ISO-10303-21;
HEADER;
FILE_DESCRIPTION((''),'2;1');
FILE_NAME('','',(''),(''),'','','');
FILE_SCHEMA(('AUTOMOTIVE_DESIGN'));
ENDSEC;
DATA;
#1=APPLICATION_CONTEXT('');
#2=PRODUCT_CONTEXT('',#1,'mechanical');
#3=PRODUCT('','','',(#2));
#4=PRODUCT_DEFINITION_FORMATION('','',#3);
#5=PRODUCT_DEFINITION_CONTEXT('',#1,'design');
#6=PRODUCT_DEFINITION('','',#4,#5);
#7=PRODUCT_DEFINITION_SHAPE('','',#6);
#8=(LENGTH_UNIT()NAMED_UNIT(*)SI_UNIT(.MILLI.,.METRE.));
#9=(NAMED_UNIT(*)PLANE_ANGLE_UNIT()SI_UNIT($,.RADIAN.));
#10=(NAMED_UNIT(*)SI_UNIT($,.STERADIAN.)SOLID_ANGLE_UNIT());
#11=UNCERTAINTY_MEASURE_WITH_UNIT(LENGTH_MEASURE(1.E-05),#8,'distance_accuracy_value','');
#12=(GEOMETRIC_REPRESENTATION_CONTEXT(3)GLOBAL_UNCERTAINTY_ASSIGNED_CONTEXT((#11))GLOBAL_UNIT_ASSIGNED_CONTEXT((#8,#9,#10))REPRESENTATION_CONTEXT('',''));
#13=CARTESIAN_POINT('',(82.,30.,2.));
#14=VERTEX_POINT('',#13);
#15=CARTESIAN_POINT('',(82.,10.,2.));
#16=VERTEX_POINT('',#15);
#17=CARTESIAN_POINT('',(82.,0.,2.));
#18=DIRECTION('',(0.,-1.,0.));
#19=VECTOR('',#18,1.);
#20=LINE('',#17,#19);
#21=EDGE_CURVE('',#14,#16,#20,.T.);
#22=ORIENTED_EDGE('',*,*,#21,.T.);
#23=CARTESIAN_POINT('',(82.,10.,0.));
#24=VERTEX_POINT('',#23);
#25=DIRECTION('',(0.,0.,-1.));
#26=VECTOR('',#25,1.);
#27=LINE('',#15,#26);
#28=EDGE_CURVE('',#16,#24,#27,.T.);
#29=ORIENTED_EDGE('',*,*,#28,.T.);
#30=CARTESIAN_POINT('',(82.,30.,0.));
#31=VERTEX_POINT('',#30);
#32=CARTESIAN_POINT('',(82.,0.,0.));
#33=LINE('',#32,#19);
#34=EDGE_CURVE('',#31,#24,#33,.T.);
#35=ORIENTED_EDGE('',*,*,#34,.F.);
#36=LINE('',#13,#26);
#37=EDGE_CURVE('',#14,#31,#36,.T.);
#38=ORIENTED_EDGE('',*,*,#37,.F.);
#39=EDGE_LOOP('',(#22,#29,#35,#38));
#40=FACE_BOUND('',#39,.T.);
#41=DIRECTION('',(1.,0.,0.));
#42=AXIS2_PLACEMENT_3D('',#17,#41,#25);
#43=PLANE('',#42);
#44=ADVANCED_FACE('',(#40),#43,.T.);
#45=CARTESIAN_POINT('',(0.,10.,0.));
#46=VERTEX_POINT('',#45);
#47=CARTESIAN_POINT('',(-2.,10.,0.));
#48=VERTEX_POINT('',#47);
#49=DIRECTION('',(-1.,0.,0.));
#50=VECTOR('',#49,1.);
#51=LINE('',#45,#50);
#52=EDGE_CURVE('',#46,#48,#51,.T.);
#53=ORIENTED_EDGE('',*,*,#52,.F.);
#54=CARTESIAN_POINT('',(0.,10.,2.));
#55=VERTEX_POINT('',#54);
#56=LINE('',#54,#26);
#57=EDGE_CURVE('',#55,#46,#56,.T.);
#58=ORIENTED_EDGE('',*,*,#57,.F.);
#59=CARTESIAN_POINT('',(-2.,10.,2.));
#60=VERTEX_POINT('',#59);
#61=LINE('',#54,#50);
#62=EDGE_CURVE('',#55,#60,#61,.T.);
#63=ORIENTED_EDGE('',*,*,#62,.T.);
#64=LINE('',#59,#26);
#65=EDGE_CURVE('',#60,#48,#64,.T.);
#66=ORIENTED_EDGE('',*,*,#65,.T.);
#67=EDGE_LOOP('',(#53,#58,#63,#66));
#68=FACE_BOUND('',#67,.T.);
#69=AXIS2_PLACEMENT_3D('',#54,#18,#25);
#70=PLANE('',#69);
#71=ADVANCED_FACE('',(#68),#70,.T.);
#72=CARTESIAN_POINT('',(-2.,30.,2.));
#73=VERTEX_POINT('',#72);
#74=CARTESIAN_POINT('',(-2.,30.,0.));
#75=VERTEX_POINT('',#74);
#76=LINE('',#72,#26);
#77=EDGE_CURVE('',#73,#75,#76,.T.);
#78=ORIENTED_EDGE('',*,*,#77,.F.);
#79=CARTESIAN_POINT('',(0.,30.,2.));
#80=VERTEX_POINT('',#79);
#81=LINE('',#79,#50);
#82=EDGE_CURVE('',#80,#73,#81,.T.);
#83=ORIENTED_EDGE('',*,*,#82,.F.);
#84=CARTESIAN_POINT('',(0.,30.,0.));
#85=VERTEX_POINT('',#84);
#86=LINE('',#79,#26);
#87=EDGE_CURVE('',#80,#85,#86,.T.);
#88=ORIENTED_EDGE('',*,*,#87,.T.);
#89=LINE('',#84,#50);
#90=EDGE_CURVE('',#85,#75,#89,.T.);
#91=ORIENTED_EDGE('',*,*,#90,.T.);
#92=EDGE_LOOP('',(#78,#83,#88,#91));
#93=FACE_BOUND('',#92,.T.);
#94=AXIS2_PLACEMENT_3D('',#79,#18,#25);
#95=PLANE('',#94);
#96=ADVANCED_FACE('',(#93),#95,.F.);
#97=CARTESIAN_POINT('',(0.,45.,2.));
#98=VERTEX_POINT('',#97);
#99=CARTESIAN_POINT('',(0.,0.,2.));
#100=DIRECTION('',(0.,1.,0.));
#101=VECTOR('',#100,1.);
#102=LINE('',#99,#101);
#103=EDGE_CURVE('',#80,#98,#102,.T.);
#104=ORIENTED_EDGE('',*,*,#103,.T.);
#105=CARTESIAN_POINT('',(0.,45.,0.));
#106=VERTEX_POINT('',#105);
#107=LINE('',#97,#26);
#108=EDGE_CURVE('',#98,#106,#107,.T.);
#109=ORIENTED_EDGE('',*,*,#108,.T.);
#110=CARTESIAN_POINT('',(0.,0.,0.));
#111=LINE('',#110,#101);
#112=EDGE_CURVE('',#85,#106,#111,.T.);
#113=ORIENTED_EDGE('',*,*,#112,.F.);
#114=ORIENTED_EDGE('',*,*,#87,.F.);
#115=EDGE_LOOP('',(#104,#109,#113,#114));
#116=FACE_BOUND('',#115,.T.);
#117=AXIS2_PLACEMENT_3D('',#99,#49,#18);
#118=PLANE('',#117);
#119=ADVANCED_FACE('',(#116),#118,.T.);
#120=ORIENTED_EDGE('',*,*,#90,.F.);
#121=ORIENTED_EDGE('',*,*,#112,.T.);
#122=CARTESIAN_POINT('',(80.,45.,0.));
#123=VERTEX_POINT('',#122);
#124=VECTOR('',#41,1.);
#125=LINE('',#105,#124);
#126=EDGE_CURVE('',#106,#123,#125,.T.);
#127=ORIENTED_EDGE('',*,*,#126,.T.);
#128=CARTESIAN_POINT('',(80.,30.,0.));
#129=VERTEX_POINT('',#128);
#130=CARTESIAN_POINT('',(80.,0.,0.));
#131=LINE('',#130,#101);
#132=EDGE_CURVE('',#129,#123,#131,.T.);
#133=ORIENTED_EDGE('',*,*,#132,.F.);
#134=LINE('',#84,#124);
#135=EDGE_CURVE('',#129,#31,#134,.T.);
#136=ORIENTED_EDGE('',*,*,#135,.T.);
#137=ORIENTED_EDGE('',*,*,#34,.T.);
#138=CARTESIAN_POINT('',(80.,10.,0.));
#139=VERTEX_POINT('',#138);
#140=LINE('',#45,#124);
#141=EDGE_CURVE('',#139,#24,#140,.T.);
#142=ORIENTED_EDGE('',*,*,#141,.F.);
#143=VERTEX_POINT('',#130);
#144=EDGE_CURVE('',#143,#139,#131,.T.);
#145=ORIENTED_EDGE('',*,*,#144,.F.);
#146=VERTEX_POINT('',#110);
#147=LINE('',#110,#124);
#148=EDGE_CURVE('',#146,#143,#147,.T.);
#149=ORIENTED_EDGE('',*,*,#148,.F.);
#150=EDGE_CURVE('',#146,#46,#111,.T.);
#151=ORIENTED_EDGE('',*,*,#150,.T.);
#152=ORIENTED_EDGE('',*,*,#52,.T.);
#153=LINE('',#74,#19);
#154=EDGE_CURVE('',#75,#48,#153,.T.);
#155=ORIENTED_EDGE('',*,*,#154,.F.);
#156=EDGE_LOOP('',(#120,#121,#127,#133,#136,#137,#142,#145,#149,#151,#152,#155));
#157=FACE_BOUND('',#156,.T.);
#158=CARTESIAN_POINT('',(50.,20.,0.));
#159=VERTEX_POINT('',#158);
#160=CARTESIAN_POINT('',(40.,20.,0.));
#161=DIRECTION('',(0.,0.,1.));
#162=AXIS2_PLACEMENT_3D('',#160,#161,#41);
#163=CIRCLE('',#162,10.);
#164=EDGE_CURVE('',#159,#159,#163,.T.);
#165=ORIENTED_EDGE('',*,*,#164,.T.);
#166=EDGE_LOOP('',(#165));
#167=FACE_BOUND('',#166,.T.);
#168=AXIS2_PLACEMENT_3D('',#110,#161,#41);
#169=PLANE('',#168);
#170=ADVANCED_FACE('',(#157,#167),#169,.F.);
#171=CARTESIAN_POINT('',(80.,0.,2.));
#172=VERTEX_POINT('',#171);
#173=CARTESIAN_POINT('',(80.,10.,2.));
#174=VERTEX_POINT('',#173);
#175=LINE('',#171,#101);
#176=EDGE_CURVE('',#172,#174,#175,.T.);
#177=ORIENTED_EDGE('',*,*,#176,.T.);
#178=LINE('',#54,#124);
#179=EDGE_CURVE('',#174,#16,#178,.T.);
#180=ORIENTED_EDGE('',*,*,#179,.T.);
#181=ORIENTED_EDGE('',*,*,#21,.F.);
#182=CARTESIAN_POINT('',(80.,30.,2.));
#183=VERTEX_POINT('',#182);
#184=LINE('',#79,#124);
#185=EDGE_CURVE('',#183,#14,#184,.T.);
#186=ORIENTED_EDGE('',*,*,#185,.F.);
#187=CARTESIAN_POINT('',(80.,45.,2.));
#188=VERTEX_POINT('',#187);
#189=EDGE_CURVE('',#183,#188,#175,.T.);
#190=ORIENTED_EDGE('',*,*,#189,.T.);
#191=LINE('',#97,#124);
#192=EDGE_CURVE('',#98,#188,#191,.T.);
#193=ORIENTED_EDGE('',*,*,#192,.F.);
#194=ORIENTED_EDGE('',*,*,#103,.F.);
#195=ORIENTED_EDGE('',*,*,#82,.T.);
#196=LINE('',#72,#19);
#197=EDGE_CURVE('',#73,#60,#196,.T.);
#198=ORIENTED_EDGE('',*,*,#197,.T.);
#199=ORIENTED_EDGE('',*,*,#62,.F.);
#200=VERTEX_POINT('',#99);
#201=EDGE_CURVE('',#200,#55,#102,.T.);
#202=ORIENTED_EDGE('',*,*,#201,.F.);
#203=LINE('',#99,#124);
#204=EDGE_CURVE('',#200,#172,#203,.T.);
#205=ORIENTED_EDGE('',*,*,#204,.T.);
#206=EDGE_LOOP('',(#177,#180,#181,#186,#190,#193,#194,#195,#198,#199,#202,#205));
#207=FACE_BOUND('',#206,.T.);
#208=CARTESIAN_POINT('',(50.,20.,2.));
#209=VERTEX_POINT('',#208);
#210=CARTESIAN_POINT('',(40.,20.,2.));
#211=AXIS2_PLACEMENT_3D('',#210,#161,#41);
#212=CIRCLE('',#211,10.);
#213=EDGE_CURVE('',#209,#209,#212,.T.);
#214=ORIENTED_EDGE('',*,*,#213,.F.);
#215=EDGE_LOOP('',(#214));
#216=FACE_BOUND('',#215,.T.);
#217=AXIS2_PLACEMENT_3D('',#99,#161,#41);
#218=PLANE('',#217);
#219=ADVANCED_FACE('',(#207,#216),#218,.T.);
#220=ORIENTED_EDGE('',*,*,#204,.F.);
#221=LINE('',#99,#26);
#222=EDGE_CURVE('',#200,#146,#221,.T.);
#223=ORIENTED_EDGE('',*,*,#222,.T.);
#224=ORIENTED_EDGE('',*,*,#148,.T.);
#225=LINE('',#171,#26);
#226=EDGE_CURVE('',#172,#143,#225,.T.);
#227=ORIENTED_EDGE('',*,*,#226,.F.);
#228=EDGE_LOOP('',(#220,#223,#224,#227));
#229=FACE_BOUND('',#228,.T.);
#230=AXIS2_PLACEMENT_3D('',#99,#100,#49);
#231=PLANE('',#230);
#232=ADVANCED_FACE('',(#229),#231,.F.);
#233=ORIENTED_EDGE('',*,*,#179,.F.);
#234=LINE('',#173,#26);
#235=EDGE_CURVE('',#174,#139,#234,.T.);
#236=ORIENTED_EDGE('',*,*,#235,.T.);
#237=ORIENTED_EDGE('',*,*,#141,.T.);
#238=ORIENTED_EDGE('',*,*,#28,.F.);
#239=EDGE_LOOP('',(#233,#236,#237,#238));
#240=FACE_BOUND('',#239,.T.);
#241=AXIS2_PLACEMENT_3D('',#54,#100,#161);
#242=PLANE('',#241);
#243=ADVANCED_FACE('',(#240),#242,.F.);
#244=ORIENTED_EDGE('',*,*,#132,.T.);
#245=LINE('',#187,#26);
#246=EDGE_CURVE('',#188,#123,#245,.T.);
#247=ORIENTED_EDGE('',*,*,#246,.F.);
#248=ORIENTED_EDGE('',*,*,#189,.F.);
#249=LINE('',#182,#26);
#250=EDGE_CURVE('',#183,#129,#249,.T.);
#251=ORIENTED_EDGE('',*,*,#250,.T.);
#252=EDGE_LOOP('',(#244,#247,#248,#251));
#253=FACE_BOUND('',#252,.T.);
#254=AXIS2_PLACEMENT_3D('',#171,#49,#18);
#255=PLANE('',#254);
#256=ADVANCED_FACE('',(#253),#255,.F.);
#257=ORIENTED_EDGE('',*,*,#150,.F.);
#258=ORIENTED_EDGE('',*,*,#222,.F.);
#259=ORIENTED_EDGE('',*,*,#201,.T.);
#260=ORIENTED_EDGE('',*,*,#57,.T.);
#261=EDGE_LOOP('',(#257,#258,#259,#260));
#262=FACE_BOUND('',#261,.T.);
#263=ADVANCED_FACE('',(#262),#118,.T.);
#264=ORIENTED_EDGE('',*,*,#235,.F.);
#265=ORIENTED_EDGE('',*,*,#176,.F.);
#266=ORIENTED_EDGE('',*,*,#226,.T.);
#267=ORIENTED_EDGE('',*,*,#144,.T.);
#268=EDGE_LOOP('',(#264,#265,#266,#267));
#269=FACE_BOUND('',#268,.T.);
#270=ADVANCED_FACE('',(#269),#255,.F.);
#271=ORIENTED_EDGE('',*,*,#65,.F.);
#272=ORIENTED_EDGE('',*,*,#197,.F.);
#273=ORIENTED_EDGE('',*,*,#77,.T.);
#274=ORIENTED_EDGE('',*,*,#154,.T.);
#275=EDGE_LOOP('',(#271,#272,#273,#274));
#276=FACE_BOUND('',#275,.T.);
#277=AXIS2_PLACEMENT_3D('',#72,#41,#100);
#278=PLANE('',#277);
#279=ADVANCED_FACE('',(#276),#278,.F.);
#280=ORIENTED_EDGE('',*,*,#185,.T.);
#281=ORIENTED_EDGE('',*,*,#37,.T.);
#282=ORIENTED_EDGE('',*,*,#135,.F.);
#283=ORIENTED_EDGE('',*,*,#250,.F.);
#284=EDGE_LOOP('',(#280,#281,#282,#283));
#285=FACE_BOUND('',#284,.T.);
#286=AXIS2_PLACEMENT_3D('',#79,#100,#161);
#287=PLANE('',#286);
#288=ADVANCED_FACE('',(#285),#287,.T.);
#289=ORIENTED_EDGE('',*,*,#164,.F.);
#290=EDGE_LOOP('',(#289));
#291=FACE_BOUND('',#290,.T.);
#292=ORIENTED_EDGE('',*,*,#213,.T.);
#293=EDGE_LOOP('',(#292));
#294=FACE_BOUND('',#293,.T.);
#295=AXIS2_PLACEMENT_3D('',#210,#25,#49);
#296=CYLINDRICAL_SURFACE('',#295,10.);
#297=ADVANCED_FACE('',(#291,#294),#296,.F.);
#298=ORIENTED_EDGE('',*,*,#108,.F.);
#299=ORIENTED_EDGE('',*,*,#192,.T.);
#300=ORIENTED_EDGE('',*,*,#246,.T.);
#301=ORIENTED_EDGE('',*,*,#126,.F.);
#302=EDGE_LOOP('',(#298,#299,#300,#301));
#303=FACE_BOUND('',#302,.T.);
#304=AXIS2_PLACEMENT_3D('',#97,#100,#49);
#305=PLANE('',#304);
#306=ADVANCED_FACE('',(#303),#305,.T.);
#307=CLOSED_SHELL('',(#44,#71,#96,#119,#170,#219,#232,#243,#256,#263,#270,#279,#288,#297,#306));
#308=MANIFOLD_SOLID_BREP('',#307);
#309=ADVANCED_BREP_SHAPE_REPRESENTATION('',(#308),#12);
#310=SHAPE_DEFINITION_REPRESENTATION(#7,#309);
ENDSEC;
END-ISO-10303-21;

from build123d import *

# Parameters (mm, degrees)
SKETCH_1_W      = 80
SKETCH_1_H      = 45
SKETCH_1_R      = 10
SKETCH_1_W_2    = 2
SKETCH_1_H_2    = 20
EXTRUDE_1_DEPTH = 2


with BuildPart() as part:
    # Эскиз1 → Бобышка-Вытянуть1 (new body)
    # profile 1 of 3: a face of its own
    with BuildSketch(Plane.XY):
        with Locations((40, 22.5)):
            Rectangle(SKETCH_1_W, SKETCH_1_H)
        with Locations((40, 20)):
            Circle(SKETCH_1_R, mode=Mode.SUBTRACT)
    # profile 2 of 3: a face of its own
    with BuildSketch(Plane.XY):
        with Locations((81, 20)):
            Rectangle(SKETCH_1_W_2, SKETCH_1_H_2)
    # profile 3 of 3: a face of its own
    with BuildSketch(Plane.XY):
        with Locations((-1, 20)):
            Rectangle(SKETCH_1_W_2, SKETCH_1_H_2)
    extrude(amount=EXTRUDE_1_DEPTH)


solid = part.part
